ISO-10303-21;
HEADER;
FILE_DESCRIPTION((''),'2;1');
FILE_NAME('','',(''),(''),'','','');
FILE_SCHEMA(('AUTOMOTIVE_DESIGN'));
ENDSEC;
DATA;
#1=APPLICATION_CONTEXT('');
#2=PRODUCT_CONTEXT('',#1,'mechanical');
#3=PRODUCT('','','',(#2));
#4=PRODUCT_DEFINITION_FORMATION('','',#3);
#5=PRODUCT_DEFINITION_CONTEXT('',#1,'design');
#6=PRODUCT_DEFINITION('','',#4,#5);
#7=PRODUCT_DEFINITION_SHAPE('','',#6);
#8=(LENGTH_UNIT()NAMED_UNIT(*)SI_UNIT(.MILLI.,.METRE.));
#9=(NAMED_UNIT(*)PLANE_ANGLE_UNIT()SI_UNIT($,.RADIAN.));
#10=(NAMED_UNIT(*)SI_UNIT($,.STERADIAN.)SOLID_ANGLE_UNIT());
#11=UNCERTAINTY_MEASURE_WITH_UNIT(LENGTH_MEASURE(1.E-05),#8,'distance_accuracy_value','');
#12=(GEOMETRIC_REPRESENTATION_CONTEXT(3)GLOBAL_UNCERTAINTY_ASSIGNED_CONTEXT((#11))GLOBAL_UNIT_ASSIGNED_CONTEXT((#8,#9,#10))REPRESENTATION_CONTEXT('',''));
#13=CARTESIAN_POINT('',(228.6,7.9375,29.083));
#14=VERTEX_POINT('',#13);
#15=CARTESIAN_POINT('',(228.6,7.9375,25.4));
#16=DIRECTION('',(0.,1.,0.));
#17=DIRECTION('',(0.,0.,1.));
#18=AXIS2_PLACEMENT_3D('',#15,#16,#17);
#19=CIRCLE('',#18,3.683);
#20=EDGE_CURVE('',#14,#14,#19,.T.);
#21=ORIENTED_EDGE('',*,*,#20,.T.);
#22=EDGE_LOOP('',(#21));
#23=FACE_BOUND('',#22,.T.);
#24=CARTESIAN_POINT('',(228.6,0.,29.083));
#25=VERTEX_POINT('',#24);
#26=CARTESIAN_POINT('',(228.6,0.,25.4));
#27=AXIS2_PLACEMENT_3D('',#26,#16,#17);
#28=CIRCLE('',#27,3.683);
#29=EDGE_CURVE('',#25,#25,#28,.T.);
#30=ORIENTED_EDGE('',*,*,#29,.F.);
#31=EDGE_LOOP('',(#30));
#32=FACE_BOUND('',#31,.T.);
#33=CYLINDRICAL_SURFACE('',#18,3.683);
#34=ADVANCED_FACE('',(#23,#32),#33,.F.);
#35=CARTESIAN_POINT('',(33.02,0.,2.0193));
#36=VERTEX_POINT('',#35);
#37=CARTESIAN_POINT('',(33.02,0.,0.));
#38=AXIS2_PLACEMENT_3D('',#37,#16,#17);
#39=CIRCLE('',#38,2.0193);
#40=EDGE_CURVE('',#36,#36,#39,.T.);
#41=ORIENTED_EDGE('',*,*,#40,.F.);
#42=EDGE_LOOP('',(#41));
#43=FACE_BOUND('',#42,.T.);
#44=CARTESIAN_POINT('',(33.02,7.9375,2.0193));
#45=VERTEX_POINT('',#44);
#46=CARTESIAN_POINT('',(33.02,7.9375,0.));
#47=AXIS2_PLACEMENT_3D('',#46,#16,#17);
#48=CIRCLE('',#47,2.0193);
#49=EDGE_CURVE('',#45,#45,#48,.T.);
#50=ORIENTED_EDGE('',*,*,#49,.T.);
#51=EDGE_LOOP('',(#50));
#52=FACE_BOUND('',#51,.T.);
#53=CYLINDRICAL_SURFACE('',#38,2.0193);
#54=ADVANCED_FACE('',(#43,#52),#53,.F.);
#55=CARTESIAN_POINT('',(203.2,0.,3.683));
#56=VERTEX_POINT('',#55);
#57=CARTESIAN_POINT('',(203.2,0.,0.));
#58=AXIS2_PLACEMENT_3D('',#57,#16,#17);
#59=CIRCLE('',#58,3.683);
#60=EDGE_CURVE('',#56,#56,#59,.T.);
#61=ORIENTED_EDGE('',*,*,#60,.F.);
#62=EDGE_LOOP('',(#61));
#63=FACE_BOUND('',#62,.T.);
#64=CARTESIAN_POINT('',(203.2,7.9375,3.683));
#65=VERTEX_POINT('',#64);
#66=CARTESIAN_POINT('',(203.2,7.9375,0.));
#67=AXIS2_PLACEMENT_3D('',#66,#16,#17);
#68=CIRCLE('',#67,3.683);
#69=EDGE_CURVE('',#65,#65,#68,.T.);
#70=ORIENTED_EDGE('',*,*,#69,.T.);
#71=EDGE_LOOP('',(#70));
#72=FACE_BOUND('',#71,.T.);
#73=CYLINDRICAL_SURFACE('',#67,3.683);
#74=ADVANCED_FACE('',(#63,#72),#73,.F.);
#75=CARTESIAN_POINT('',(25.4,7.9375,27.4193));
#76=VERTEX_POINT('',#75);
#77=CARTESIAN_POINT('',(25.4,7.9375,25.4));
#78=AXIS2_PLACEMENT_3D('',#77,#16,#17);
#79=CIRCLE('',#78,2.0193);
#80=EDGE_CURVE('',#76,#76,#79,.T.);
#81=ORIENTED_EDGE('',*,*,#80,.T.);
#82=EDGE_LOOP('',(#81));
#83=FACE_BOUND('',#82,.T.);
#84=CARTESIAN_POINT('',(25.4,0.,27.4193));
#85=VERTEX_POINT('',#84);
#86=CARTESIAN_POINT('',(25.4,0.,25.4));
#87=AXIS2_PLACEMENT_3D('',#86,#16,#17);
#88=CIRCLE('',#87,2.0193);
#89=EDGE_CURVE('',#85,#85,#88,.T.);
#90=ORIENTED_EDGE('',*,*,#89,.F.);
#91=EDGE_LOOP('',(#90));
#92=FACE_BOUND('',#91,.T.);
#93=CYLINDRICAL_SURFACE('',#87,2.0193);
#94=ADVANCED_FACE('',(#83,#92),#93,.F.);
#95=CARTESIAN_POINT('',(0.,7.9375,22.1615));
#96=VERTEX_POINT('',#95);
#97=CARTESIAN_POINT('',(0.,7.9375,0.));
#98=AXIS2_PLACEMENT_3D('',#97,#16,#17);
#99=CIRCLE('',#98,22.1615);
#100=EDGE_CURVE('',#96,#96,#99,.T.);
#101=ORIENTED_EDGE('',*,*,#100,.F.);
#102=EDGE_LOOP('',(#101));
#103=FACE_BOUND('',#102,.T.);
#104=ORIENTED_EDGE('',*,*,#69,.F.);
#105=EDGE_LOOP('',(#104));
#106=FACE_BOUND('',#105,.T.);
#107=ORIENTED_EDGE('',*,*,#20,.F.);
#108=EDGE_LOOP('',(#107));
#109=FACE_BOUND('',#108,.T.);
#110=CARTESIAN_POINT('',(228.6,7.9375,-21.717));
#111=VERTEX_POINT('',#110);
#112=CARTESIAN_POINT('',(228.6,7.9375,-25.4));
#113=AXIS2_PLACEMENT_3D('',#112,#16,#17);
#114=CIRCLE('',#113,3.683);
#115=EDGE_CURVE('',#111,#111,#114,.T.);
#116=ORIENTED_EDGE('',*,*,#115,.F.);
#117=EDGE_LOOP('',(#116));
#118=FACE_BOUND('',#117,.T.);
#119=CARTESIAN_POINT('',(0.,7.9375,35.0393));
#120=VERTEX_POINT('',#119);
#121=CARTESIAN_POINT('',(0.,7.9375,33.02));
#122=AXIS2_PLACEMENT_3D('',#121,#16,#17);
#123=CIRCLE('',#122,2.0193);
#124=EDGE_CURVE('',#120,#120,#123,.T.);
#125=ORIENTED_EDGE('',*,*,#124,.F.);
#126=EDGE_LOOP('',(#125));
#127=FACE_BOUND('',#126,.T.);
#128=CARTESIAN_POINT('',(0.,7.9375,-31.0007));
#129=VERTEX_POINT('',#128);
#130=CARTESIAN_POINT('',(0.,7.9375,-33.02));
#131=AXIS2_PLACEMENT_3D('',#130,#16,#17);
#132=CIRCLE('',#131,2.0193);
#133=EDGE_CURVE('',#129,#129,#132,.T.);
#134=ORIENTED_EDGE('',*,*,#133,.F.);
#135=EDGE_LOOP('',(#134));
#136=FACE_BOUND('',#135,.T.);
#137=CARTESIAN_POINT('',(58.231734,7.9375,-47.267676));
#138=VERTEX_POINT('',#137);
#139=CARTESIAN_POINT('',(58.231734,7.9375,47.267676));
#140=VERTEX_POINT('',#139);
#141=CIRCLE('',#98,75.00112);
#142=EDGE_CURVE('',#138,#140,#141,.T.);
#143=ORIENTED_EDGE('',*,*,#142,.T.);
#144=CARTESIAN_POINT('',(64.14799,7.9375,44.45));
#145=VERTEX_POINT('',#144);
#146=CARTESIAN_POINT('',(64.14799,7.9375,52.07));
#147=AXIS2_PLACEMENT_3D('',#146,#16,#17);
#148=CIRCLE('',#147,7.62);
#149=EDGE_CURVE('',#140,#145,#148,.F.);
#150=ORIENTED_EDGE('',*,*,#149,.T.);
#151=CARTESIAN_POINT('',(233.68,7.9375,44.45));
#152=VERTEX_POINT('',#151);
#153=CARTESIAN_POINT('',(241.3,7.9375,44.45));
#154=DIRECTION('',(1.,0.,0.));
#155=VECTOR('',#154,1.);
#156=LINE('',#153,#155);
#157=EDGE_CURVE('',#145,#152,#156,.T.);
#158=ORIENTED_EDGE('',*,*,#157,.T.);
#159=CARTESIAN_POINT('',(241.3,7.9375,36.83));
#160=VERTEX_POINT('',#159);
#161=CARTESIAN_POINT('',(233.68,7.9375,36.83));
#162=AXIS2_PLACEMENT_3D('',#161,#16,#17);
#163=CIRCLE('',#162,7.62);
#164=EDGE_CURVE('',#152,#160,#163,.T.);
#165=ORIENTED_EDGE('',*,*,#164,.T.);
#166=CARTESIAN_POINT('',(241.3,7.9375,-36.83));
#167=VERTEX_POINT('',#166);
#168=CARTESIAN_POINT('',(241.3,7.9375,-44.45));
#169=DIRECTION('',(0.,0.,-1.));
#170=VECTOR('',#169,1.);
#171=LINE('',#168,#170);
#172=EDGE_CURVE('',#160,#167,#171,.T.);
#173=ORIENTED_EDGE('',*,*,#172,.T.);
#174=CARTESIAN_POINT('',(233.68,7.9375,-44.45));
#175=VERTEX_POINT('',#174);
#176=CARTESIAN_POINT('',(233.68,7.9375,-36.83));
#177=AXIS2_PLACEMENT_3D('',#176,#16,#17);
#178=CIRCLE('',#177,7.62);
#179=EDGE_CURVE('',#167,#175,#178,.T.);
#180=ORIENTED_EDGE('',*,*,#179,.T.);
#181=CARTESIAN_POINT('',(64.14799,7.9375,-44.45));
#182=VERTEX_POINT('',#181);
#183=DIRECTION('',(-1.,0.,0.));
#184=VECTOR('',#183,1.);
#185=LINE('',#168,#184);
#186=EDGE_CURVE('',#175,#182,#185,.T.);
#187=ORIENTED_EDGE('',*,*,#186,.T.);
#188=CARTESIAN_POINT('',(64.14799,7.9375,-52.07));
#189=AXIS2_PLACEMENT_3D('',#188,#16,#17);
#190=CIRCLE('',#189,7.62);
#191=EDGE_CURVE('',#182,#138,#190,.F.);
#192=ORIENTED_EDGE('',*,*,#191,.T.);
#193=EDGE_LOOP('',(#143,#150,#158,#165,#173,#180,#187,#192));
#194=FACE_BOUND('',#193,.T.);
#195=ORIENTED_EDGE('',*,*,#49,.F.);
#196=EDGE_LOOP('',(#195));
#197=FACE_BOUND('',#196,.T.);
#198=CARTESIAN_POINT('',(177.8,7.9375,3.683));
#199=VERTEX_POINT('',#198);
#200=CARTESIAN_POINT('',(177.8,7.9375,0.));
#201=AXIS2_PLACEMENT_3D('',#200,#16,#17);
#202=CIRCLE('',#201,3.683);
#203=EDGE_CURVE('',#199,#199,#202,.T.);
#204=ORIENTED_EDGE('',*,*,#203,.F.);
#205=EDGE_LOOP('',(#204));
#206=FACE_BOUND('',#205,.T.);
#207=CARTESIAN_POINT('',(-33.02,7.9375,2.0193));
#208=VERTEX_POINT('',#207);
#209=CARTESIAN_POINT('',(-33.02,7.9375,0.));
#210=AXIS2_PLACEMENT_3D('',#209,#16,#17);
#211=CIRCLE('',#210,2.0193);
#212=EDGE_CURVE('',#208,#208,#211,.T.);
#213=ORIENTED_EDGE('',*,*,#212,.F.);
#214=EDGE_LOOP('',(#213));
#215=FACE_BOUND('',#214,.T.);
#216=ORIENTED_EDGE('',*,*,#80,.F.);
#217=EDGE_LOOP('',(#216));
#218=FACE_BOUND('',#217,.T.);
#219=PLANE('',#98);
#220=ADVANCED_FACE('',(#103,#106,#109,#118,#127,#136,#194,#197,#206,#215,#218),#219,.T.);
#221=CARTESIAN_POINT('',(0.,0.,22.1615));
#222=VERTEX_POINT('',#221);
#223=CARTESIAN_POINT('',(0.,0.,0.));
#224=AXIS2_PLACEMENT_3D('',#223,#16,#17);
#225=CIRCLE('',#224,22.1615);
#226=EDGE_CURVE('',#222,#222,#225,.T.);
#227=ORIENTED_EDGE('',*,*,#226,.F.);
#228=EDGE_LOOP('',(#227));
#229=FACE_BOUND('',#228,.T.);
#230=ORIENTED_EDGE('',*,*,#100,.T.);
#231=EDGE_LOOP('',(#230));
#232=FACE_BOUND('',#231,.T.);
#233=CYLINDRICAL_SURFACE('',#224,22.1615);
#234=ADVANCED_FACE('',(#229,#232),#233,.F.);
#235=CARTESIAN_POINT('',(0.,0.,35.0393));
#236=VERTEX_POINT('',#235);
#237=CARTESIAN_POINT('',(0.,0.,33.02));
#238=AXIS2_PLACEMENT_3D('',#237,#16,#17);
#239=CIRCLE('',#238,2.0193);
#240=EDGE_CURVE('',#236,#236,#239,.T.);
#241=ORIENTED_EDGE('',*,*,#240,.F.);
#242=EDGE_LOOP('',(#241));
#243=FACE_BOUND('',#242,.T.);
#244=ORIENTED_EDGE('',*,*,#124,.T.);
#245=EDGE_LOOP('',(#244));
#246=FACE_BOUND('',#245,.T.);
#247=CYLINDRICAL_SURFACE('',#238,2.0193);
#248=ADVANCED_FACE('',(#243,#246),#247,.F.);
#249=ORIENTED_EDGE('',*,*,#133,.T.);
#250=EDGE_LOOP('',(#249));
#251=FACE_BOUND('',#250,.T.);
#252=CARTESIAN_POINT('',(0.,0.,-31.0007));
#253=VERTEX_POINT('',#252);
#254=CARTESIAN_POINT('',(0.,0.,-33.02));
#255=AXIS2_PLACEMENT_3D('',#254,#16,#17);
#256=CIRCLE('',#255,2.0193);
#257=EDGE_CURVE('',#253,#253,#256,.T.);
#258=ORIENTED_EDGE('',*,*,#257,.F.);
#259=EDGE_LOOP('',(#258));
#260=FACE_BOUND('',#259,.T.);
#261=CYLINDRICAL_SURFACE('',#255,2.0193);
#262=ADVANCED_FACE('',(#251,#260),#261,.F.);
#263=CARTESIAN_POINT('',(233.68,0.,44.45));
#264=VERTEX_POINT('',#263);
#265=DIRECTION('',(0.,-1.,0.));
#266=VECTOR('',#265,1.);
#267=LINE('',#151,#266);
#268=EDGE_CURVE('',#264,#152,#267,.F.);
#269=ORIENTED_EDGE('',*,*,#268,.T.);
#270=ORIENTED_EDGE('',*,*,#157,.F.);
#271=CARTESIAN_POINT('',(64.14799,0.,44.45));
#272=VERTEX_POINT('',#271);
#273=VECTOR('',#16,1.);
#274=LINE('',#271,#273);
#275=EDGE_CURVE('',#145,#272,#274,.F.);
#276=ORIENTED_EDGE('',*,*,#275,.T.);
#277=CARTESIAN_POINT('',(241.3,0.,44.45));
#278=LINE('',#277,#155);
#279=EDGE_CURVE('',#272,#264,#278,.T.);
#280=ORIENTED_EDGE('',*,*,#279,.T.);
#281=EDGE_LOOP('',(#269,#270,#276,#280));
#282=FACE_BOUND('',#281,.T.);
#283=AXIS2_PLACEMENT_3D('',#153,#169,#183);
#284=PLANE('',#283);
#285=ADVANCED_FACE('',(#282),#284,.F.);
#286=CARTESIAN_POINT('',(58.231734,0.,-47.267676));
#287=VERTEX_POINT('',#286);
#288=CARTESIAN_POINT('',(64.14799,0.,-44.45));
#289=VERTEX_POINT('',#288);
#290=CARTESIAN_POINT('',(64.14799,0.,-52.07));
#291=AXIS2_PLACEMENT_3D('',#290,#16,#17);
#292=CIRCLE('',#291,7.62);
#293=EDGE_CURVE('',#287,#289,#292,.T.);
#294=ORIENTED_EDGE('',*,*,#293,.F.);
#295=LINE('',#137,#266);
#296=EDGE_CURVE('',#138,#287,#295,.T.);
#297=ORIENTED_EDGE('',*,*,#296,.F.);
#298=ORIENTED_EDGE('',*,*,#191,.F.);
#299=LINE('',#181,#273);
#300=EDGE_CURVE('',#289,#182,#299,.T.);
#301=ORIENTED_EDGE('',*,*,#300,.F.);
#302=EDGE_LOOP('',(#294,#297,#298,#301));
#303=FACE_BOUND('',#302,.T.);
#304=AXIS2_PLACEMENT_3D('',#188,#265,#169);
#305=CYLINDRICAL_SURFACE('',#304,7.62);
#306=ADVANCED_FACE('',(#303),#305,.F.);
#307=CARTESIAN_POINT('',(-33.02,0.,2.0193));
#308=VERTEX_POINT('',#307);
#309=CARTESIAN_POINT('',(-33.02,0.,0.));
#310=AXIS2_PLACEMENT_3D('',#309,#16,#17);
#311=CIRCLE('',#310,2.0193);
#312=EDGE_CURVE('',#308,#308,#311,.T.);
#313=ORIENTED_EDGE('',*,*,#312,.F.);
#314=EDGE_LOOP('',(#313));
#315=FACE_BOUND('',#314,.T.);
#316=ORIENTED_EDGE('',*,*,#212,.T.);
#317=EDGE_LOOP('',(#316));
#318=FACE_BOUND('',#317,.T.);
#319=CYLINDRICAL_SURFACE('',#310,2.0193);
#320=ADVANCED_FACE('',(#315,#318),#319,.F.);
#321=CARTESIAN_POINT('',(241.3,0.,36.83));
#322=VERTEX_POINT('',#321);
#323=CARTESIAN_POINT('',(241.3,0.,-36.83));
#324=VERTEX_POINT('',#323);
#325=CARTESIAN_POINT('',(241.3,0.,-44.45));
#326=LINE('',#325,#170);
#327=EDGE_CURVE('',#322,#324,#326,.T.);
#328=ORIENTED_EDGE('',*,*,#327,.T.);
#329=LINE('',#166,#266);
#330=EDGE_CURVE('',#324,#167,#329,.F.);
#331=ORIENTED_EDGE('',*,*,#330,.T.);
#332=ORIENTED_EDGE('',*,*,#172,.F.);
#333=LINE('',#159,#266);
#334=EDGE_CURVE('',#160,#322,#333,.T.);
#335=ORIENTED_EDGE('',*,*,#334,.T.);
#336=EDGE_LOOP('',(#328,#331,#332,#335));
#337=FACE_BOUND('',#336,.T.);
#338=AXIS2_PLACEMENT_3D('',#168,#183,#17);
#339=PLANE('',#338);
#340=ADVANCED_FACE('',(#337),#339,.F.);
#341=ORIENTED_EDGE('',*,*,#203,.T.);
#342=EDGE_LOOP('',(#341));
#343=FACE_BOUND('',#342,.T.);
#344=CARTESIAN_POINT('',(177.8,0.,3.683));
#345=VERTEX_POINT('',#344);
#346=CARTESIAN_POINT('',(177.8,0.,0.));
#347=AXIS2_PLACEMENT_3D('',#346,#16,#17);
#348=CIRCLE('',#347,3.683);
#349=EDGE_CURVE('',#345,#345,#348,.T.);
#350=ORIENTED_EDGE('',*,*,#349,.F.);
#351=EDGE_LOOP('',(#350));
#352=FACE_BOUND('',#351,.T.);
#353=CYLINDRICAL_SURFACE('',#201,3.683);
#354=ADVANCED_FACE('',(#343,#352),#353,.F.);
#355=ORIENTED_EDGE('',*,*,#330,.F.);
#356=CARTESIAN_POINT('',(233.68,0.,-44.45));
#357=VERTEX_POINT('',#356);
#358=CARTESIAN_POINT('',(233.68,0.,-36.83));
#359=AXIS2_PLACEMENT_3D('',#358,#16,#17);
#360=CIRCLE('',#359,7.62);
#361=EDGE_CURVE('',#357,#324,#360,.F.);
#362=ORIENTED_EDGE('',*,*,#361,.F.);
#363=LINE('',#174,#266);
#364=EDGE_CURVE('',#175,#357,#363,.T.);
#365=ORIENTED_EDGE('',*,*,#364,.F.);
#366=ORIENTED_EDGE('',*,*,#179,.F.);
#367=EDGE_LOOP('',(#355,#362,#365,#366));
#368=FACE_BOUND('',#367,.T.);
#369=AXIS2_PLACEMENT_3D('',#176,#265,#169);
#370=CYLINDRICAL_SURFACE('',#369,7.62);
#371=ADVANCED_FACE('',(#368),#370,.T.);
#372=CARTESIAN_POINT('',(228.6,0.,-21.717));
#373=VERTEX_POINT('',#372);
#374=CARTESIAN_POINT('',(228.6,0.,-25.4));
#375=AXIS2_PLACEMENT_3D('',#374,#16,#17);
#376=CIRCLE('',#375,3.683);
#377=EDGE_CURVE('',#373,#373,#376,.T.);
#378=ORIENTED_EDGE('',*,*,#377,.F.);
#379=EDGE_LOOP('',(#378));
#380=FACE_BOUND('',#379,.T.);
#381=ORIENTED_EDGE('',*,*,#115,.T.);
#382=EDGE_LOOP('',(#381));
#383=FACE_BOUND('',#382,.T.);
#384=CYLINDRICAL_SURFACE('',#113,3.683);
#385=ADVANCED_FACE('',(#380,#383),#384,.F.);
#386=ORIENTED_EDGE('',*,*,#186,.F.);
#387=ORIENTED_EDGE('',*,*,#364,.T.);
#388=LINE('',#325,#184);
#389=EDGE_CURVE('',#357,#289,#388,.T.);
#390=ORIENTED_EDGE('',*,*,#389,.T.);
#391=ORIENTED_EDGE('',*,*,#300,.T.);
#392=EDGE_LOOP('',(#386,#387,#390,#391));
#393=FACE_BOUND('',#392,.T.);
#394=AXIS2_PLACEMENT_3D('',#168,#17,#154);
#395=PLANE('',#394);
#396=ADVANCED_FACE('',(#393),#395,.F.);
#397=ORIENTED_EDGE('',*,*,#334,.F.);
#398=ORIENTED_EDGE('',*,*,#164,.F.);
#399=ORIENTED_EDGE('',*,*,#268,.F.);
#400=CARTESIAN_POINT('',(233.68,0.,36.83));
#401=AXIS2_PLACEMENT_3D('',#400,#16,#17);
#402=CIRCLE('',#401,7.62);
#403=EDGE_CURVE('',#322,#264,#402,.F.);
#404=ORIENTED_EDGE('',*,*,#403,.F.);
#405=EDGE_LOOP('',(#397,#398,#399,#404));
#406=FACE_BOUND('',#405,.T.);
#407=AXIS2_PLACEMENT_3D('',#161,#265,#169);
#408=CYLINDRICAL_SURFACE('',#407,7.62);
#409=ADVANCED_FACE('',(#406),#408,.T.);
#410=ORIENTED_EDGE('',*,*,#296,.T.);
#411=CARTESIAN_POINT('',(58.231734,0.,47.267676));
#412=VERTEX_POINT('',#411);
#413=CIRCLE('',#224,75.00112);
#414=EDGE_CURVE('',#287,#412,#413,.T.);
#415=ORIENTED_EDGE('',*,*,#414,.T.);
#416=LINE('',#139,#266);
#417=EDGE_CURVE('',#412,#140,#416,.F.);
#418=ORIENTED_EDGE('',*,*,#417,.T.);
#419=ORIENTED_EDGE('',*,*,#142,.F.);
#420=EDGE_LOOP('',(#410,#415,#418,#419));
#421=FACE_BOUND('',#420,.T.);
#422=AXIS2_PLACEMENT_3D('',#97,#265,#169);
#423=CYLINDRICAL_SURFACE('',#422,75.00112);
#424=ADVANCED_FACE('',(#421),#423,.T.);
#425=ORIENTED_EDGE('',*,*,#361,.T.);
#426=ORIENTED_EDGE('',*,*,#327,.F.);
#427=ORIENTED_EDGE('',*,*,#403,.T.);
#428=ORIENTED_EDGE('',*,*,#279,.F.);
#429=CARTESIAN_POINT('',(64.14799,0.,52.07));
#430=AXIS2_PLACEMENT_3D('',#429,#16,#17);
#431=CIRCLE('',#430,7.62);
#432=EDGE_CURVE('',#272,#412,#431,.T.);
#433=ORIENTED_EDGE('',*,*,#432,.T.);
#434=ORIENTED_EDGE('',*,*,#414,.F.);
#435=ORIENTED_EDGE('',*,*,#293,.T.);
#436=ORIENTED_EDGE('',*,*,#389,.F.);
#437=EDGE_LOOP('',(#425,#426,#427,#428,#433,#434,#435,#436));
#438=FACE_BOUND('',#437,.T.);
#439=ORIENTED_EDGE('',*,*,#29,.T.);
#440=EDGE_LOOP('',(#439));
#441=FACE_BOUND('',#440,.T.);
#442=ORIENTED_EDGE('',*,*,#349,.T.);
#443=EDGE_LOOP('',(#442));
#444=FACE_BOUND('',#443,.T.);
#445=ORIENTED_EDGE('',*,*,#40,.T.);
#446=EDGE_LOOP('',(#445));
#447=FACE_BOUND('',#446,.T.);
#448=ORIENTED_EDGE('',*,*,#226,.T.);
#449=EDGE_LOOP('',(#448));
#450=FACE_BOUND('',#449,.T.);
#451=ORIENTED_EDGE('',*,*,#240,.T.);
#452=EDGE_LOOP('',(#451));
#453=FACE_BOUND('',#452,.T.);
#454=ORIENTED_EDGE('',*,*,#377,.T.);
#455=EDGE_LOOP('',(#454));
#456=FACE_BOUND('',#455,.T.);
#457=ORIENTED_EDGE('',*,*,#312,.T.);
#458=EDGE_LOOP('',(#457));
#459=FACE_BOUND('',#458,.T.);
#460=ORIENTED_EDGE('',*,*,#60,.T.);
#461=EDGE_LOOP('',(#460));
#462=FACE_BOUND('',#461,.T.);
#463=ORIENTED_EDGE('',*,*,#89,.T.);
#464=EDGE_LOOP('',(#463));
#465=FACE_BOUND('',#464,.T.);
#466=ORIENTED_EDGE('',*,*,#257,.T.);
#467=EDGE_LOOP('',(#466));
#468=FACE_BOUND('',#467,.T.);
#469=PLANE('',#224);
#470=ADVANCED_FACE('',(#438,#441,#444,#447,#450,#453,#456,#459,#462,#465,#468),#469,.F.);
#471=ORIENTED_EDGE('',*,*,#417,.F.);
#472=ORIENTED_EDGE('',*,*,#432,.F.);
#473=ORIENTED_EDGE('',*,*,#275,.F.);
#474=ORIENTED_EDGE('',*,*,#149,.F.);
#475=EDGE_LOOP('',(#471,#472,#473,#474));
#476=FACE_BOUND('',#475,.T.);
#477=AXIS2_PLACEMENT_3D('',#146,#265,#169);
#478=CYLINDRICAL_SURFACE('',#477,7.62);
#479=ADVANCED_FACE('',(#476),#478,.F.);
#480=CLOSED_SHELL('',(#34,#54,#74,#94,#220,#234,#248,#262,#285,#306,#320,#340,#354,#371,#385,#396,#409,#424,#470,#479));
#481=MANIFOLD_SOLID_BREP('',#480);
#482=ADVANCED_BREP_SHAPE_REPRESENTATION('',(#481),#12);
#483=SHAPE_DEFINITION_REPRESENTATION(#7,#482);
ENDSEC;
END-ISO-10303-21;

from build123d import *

# Parameters (mm, degrees)
BOSS_EXTRUDE1_DEPTH     = 7.9375
SKETCH21_R              = 22.1615
SKETCH21_R_2            = 2.0193
CUT_EXTRUDE2_DEPTH      = 253.811910138
FILLET1_R               = 7.62
L_0_29_DIAMETER_HOLE1_D = 7.366


with BuildPart() as part:
    # Sketch1 → Boss-Extrude1 (new body)
    with BuildSketch(Plane(origin=(0, 0, 0), x_dir=(1, 0, 0), z_dir=(0, 1, 0))):
        with BuildLine():
            Line((241.3, -44.45), (60.409978491, -44.45))
            ThreePointArc((60.409978491, -44.45), (-75.00112, 0), (60.409978491, 44.45))
            Line((60.409978491, 44.45), (241.3, 44.45))
            Line((241.3, 44.45), (241.3, -44.45))
        make_face()
    extrude(amount=BOSS_EXTRUDE1_DEPTH)

    # Sketch21 → Cut-Extrude2 (cut, through all)
    with BuildSketch(Plane(origin=(0, 7.9375, 0), x_dir=(1, 0, 0), z_dir=(0, 1, 0))):
        with Locations(Location((0, 0, 0), (0, 0, 270))):
            Circle(SKETCH21_R)
        with Locations(Location((0, 33.02, 0), (0, 0, 270))):
            Circle(SKETCH21_R_2)
        with Locations(Location((-33.02, 0, 0), (0, 0, 270))):
            Circle(SKETCH21_R_2)
        with Locations(Location((0, -33.02, 0), (0, 0, 270))):
            Circle(SKETCH21_R_2)
        with Locations(Location((33.02, 0, 0), (0, 0, 270))):
            Circle(SKETCH21_R_2)
        with Locations(Location((25.4, -25.4, 0), (0, 0, 270))):
            Circle(SKETCH21_R_2)
    extrude(amount=-CUT_EXTRUDE2_DEPTH, mode=Mode.SUBTRACT)

    # Fillet1
    fillet1_edges = [part.edges().sort_by_distance(p)[0] for p in [
        (60.409978491, 3.96875, -44.45),
        (241.3, 3.96875, -44.45),
        (241.3, 3.96875, 44.45),
        (60.409978491, 3.96875, 44.45),
    ]]
    fillet(fillet1_edges, radius=FILLET1_R)

    # L (0.29) Diameter Hole1 (through all)
    with Locations(Plane(origin=(0, 7.9375, 0), x_dir=(1, 0, 0), z_dir=(0, 1, 0))):
        with Locations((228.6, 25.4), (228.6, -25.4), (203.2, 0), (177.8, 0)):
            Hole(L_0_29_DIAMETER_HOLE1_D / 2)


solid = part.part
